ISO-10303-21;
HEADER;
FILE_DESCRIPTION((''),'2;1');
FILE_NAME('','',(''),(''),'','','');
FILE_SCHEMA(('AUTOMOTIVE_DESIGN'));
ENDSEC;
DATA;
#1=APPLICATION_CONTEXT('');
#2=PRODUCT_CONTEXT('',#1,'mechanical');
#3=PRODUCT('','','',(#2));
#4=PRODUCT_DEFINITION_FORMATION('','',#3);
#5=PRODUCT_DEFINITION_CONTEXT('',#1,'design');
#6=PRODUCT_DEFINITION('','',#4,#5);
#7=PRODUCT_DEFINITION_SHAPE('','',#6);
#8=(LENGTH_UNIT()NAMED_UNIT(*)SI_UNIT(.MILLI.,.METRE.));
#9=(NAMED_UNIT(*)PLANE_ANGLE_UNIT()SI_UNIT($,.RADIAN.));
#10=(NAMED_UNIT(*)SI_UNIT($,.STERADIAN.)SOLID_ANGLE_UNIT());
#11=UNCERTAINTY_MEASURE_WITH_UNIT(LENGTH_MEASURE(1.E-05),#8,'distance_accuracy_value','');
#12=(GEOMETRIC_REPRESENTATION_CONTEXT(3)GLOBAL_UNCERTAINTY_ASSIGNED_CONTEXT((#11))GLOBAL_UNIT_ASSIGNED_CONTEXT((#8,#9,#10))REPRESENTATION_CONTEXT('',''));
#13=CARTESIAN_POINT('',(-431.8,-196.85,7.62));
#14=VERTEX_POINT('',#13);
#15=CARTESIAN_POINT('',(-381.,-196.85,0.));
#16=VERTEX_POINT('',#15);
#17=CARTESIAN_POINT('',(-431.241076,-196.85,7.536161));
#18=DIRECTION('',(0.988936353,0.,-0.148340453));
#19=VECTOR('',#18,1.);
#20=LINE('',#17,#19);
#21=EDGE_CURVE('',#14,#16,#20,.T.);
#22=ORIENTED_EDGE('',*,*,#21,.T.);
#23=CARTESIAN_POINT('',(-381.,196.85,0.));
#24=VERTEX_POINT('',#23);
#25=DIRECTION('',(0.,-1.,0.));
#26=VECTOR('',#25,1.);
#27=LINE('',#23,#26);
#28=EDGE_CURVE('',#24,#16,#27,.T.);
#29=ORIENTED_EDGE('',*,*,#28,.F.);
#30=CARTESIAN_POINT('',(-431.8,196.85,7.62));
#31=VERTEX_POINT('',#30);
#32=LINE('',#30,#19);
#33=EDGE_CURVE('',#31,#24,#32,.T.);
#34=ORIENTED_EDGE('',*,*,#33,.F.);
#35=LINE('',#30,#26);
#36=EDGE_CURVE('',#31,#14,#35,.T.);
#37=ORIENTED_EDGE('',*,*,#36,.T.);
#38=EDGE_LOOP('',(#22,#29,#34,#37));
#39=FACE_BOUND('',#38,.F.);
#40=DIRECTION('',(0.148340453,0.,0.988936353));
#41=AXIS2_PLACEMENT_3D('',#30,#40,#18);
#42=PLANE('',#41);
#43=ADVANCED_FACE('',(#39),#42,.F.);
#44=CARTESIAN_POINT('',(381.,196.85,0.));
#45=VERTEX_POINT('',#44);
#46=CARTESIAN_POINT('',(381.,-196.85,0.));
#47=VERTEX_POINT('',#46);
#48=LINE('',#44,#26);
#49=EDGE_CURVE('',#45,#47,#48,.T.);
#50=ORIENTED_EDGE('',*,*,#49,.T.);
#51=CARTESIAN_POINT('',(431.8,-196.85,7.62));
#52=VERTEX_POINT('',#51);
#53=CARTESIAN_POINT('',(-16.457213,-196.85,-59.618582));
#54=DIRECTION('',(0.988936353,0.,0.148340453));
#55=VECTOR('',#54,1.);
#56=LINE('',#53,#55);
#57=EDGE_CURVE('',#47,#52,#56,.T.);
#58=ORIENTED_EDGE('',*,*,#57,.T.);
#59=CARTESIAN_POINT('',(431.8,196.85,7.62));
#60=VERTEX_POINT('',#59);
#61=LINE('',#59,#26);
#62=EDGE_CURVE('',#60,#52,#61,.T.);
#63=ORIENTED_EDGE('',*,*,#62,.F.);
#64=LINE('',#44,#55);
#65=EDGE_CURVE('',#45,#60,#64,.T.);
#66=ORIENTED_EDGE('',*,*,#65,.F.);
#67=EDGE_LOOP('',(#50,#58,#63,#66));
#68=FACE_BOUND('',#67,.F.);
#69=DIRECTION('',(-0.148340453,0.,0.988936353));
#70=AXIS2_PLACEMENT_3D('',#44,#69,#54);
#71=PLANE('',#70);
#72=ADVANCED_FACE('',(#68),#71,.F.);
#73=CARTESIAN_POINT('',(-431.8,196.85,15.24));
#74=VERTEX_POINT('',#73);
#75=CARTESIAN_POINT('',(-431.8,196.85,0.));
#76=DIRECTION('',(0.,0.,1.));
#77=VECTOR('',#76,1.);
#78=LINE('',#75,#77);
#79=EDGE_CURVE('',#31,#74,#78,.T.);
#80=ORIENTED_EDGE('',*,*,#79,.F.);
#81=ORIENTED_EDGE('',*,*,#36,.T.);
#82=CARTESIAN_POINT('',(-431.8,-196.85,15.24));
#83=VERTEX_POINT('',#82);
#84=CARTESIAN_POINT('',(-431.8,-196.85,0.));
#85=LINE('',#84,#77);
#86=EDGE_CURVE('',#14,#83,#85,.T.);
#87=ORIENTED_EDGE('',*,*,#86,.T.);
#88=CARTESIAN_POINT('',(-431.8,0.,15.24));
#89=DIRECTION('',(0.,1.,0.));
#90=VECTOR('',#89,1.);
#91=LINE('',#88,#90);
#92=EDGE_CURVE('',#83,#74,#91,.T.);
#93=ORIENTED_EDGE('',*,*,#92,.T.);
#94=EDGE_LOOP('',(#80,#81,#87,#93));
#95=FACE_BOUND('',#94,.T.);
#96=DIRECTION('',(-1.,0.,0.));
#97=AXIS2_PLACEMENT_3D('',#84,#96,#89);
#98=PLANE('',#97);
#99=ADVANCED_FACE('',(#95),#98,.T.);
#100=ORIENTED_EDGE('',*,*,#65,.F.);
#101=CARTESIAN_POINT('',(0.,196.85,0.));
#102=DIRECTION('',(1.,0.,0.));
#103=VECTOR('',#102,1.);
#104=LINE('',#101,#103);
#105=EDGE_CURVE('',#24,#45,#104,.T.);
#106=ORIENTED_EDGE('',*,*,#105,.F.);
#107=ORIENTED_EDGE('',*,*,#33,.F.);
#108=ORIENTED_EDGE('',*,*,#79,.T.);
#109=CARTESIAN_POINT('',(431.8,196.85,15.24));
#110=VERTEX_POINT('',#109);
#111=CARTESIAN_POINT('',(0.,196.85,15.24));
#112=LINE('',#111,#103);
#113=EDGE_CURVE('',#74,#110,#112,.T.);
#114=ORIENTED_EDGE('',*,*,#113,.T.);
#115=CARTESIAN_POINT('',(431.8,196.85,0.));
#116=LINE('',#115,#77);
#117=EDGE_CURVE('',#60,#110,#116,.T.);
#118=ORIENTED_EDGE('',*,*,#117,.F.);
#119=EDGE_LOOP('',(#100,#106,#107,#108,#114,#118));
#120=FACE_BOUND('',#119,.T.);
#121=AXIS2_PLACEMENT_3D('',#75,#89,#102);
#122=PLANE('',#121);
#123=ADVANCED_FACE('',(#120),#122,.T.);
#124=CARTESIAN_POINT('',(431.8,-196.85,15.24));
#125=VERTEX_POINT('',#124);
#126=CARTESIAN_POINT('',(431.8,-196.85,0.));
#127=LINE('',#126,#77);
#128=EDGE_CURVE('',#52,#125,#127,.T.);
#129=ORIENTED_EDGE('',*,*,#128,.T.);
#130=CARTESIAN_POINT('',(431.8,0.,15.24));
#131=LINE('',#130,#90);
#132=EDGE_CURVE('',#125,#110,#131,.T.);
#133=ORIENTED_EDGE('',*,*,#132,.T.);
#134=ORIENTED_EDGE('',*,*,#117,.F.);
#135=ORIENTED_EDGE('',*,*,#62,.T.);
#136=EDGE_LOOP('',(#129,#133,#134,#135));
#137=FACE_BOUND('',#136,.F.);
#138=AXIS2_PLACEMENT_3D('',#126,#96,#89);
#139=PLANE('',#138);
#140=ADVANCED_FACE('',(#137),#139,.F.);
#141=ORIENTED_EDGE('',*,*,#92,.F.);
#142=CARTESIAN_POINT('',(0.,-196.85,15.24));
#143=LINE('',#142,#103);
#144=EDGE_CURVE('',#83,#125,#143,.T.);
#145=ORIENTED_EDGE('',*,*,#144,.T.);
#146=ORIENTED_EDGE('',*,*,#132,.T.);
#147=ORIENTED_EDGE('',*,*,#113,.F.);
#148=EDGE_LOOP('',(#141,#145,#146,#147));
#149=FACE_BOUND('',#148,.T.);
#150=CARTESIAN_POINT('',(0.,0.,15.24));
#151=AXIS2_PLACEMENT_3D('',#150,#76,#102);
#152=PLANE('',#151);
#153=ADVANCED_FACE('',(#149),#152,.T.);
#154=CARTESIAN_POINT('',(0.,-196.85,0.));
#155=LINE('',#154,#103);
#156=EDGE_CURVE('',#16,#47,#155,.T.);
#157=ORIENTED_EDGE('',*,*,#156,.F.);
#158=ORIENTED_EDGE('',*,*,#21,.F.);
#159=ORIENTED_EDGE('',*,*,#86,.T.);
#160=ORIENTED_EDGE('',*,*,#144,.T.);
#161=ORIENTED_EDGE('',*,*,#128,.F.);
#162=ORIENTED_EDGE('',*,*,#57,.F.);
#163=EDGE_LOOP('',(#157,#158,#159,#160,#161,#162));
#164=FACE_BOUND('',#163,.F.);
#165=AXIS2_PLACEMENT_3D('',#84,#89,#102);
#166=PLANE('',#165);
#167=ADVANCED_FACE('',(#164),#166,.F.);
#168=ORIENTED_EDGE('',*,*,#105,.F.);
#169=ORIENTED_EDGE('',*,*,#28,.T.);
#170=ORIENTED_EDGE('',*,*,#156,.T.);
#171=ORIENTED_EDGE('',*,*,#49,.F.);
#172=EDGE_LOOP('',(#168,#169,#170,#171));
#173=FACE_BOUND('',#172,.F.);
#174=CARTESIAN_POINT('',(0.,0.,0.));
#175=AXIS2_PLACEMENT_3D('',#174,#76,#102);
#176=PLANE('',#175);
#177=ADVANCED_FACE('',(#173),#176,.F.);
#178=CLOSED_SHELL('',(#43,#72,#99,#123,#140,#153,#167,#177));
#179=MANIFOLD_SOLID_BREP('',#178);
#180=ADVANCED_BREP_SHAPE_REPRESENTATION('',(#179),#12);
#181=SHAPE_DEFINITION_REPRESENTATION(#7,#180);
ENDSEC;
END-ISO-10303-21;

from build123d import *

# Parameters (mm, degrees)
F0_W     = 863.6
F0_H     = 393.7
F1_DEPTH = 15.24
F3_DEPTH = 393.701


with BuildPart() as f1:
    # F0 (on Top) → F1 (new body)
    with BuildSketch(Plane.XY):
        Rectangle(F0_W, F0_H)
    extrude(amount=F1_DEPTH)

    # F2 (on face) → F3 (cut, through all)
    with BuildSketch(Plane(origin=(0, 196.85, 0), x_dir=(-1, 0, 0), z_dir=(0, 1, 0))):
        Polygon((-381, 0), (-431.8, 7.62), (-431.8, 0), align=None)
        Polygon((431.8, 7.62), (381, 0), (431.8, 0), align=None)
    extrude(amount=-F3_DEPTH, mode=Mode.SUBTRACT)


solid = f1.part
